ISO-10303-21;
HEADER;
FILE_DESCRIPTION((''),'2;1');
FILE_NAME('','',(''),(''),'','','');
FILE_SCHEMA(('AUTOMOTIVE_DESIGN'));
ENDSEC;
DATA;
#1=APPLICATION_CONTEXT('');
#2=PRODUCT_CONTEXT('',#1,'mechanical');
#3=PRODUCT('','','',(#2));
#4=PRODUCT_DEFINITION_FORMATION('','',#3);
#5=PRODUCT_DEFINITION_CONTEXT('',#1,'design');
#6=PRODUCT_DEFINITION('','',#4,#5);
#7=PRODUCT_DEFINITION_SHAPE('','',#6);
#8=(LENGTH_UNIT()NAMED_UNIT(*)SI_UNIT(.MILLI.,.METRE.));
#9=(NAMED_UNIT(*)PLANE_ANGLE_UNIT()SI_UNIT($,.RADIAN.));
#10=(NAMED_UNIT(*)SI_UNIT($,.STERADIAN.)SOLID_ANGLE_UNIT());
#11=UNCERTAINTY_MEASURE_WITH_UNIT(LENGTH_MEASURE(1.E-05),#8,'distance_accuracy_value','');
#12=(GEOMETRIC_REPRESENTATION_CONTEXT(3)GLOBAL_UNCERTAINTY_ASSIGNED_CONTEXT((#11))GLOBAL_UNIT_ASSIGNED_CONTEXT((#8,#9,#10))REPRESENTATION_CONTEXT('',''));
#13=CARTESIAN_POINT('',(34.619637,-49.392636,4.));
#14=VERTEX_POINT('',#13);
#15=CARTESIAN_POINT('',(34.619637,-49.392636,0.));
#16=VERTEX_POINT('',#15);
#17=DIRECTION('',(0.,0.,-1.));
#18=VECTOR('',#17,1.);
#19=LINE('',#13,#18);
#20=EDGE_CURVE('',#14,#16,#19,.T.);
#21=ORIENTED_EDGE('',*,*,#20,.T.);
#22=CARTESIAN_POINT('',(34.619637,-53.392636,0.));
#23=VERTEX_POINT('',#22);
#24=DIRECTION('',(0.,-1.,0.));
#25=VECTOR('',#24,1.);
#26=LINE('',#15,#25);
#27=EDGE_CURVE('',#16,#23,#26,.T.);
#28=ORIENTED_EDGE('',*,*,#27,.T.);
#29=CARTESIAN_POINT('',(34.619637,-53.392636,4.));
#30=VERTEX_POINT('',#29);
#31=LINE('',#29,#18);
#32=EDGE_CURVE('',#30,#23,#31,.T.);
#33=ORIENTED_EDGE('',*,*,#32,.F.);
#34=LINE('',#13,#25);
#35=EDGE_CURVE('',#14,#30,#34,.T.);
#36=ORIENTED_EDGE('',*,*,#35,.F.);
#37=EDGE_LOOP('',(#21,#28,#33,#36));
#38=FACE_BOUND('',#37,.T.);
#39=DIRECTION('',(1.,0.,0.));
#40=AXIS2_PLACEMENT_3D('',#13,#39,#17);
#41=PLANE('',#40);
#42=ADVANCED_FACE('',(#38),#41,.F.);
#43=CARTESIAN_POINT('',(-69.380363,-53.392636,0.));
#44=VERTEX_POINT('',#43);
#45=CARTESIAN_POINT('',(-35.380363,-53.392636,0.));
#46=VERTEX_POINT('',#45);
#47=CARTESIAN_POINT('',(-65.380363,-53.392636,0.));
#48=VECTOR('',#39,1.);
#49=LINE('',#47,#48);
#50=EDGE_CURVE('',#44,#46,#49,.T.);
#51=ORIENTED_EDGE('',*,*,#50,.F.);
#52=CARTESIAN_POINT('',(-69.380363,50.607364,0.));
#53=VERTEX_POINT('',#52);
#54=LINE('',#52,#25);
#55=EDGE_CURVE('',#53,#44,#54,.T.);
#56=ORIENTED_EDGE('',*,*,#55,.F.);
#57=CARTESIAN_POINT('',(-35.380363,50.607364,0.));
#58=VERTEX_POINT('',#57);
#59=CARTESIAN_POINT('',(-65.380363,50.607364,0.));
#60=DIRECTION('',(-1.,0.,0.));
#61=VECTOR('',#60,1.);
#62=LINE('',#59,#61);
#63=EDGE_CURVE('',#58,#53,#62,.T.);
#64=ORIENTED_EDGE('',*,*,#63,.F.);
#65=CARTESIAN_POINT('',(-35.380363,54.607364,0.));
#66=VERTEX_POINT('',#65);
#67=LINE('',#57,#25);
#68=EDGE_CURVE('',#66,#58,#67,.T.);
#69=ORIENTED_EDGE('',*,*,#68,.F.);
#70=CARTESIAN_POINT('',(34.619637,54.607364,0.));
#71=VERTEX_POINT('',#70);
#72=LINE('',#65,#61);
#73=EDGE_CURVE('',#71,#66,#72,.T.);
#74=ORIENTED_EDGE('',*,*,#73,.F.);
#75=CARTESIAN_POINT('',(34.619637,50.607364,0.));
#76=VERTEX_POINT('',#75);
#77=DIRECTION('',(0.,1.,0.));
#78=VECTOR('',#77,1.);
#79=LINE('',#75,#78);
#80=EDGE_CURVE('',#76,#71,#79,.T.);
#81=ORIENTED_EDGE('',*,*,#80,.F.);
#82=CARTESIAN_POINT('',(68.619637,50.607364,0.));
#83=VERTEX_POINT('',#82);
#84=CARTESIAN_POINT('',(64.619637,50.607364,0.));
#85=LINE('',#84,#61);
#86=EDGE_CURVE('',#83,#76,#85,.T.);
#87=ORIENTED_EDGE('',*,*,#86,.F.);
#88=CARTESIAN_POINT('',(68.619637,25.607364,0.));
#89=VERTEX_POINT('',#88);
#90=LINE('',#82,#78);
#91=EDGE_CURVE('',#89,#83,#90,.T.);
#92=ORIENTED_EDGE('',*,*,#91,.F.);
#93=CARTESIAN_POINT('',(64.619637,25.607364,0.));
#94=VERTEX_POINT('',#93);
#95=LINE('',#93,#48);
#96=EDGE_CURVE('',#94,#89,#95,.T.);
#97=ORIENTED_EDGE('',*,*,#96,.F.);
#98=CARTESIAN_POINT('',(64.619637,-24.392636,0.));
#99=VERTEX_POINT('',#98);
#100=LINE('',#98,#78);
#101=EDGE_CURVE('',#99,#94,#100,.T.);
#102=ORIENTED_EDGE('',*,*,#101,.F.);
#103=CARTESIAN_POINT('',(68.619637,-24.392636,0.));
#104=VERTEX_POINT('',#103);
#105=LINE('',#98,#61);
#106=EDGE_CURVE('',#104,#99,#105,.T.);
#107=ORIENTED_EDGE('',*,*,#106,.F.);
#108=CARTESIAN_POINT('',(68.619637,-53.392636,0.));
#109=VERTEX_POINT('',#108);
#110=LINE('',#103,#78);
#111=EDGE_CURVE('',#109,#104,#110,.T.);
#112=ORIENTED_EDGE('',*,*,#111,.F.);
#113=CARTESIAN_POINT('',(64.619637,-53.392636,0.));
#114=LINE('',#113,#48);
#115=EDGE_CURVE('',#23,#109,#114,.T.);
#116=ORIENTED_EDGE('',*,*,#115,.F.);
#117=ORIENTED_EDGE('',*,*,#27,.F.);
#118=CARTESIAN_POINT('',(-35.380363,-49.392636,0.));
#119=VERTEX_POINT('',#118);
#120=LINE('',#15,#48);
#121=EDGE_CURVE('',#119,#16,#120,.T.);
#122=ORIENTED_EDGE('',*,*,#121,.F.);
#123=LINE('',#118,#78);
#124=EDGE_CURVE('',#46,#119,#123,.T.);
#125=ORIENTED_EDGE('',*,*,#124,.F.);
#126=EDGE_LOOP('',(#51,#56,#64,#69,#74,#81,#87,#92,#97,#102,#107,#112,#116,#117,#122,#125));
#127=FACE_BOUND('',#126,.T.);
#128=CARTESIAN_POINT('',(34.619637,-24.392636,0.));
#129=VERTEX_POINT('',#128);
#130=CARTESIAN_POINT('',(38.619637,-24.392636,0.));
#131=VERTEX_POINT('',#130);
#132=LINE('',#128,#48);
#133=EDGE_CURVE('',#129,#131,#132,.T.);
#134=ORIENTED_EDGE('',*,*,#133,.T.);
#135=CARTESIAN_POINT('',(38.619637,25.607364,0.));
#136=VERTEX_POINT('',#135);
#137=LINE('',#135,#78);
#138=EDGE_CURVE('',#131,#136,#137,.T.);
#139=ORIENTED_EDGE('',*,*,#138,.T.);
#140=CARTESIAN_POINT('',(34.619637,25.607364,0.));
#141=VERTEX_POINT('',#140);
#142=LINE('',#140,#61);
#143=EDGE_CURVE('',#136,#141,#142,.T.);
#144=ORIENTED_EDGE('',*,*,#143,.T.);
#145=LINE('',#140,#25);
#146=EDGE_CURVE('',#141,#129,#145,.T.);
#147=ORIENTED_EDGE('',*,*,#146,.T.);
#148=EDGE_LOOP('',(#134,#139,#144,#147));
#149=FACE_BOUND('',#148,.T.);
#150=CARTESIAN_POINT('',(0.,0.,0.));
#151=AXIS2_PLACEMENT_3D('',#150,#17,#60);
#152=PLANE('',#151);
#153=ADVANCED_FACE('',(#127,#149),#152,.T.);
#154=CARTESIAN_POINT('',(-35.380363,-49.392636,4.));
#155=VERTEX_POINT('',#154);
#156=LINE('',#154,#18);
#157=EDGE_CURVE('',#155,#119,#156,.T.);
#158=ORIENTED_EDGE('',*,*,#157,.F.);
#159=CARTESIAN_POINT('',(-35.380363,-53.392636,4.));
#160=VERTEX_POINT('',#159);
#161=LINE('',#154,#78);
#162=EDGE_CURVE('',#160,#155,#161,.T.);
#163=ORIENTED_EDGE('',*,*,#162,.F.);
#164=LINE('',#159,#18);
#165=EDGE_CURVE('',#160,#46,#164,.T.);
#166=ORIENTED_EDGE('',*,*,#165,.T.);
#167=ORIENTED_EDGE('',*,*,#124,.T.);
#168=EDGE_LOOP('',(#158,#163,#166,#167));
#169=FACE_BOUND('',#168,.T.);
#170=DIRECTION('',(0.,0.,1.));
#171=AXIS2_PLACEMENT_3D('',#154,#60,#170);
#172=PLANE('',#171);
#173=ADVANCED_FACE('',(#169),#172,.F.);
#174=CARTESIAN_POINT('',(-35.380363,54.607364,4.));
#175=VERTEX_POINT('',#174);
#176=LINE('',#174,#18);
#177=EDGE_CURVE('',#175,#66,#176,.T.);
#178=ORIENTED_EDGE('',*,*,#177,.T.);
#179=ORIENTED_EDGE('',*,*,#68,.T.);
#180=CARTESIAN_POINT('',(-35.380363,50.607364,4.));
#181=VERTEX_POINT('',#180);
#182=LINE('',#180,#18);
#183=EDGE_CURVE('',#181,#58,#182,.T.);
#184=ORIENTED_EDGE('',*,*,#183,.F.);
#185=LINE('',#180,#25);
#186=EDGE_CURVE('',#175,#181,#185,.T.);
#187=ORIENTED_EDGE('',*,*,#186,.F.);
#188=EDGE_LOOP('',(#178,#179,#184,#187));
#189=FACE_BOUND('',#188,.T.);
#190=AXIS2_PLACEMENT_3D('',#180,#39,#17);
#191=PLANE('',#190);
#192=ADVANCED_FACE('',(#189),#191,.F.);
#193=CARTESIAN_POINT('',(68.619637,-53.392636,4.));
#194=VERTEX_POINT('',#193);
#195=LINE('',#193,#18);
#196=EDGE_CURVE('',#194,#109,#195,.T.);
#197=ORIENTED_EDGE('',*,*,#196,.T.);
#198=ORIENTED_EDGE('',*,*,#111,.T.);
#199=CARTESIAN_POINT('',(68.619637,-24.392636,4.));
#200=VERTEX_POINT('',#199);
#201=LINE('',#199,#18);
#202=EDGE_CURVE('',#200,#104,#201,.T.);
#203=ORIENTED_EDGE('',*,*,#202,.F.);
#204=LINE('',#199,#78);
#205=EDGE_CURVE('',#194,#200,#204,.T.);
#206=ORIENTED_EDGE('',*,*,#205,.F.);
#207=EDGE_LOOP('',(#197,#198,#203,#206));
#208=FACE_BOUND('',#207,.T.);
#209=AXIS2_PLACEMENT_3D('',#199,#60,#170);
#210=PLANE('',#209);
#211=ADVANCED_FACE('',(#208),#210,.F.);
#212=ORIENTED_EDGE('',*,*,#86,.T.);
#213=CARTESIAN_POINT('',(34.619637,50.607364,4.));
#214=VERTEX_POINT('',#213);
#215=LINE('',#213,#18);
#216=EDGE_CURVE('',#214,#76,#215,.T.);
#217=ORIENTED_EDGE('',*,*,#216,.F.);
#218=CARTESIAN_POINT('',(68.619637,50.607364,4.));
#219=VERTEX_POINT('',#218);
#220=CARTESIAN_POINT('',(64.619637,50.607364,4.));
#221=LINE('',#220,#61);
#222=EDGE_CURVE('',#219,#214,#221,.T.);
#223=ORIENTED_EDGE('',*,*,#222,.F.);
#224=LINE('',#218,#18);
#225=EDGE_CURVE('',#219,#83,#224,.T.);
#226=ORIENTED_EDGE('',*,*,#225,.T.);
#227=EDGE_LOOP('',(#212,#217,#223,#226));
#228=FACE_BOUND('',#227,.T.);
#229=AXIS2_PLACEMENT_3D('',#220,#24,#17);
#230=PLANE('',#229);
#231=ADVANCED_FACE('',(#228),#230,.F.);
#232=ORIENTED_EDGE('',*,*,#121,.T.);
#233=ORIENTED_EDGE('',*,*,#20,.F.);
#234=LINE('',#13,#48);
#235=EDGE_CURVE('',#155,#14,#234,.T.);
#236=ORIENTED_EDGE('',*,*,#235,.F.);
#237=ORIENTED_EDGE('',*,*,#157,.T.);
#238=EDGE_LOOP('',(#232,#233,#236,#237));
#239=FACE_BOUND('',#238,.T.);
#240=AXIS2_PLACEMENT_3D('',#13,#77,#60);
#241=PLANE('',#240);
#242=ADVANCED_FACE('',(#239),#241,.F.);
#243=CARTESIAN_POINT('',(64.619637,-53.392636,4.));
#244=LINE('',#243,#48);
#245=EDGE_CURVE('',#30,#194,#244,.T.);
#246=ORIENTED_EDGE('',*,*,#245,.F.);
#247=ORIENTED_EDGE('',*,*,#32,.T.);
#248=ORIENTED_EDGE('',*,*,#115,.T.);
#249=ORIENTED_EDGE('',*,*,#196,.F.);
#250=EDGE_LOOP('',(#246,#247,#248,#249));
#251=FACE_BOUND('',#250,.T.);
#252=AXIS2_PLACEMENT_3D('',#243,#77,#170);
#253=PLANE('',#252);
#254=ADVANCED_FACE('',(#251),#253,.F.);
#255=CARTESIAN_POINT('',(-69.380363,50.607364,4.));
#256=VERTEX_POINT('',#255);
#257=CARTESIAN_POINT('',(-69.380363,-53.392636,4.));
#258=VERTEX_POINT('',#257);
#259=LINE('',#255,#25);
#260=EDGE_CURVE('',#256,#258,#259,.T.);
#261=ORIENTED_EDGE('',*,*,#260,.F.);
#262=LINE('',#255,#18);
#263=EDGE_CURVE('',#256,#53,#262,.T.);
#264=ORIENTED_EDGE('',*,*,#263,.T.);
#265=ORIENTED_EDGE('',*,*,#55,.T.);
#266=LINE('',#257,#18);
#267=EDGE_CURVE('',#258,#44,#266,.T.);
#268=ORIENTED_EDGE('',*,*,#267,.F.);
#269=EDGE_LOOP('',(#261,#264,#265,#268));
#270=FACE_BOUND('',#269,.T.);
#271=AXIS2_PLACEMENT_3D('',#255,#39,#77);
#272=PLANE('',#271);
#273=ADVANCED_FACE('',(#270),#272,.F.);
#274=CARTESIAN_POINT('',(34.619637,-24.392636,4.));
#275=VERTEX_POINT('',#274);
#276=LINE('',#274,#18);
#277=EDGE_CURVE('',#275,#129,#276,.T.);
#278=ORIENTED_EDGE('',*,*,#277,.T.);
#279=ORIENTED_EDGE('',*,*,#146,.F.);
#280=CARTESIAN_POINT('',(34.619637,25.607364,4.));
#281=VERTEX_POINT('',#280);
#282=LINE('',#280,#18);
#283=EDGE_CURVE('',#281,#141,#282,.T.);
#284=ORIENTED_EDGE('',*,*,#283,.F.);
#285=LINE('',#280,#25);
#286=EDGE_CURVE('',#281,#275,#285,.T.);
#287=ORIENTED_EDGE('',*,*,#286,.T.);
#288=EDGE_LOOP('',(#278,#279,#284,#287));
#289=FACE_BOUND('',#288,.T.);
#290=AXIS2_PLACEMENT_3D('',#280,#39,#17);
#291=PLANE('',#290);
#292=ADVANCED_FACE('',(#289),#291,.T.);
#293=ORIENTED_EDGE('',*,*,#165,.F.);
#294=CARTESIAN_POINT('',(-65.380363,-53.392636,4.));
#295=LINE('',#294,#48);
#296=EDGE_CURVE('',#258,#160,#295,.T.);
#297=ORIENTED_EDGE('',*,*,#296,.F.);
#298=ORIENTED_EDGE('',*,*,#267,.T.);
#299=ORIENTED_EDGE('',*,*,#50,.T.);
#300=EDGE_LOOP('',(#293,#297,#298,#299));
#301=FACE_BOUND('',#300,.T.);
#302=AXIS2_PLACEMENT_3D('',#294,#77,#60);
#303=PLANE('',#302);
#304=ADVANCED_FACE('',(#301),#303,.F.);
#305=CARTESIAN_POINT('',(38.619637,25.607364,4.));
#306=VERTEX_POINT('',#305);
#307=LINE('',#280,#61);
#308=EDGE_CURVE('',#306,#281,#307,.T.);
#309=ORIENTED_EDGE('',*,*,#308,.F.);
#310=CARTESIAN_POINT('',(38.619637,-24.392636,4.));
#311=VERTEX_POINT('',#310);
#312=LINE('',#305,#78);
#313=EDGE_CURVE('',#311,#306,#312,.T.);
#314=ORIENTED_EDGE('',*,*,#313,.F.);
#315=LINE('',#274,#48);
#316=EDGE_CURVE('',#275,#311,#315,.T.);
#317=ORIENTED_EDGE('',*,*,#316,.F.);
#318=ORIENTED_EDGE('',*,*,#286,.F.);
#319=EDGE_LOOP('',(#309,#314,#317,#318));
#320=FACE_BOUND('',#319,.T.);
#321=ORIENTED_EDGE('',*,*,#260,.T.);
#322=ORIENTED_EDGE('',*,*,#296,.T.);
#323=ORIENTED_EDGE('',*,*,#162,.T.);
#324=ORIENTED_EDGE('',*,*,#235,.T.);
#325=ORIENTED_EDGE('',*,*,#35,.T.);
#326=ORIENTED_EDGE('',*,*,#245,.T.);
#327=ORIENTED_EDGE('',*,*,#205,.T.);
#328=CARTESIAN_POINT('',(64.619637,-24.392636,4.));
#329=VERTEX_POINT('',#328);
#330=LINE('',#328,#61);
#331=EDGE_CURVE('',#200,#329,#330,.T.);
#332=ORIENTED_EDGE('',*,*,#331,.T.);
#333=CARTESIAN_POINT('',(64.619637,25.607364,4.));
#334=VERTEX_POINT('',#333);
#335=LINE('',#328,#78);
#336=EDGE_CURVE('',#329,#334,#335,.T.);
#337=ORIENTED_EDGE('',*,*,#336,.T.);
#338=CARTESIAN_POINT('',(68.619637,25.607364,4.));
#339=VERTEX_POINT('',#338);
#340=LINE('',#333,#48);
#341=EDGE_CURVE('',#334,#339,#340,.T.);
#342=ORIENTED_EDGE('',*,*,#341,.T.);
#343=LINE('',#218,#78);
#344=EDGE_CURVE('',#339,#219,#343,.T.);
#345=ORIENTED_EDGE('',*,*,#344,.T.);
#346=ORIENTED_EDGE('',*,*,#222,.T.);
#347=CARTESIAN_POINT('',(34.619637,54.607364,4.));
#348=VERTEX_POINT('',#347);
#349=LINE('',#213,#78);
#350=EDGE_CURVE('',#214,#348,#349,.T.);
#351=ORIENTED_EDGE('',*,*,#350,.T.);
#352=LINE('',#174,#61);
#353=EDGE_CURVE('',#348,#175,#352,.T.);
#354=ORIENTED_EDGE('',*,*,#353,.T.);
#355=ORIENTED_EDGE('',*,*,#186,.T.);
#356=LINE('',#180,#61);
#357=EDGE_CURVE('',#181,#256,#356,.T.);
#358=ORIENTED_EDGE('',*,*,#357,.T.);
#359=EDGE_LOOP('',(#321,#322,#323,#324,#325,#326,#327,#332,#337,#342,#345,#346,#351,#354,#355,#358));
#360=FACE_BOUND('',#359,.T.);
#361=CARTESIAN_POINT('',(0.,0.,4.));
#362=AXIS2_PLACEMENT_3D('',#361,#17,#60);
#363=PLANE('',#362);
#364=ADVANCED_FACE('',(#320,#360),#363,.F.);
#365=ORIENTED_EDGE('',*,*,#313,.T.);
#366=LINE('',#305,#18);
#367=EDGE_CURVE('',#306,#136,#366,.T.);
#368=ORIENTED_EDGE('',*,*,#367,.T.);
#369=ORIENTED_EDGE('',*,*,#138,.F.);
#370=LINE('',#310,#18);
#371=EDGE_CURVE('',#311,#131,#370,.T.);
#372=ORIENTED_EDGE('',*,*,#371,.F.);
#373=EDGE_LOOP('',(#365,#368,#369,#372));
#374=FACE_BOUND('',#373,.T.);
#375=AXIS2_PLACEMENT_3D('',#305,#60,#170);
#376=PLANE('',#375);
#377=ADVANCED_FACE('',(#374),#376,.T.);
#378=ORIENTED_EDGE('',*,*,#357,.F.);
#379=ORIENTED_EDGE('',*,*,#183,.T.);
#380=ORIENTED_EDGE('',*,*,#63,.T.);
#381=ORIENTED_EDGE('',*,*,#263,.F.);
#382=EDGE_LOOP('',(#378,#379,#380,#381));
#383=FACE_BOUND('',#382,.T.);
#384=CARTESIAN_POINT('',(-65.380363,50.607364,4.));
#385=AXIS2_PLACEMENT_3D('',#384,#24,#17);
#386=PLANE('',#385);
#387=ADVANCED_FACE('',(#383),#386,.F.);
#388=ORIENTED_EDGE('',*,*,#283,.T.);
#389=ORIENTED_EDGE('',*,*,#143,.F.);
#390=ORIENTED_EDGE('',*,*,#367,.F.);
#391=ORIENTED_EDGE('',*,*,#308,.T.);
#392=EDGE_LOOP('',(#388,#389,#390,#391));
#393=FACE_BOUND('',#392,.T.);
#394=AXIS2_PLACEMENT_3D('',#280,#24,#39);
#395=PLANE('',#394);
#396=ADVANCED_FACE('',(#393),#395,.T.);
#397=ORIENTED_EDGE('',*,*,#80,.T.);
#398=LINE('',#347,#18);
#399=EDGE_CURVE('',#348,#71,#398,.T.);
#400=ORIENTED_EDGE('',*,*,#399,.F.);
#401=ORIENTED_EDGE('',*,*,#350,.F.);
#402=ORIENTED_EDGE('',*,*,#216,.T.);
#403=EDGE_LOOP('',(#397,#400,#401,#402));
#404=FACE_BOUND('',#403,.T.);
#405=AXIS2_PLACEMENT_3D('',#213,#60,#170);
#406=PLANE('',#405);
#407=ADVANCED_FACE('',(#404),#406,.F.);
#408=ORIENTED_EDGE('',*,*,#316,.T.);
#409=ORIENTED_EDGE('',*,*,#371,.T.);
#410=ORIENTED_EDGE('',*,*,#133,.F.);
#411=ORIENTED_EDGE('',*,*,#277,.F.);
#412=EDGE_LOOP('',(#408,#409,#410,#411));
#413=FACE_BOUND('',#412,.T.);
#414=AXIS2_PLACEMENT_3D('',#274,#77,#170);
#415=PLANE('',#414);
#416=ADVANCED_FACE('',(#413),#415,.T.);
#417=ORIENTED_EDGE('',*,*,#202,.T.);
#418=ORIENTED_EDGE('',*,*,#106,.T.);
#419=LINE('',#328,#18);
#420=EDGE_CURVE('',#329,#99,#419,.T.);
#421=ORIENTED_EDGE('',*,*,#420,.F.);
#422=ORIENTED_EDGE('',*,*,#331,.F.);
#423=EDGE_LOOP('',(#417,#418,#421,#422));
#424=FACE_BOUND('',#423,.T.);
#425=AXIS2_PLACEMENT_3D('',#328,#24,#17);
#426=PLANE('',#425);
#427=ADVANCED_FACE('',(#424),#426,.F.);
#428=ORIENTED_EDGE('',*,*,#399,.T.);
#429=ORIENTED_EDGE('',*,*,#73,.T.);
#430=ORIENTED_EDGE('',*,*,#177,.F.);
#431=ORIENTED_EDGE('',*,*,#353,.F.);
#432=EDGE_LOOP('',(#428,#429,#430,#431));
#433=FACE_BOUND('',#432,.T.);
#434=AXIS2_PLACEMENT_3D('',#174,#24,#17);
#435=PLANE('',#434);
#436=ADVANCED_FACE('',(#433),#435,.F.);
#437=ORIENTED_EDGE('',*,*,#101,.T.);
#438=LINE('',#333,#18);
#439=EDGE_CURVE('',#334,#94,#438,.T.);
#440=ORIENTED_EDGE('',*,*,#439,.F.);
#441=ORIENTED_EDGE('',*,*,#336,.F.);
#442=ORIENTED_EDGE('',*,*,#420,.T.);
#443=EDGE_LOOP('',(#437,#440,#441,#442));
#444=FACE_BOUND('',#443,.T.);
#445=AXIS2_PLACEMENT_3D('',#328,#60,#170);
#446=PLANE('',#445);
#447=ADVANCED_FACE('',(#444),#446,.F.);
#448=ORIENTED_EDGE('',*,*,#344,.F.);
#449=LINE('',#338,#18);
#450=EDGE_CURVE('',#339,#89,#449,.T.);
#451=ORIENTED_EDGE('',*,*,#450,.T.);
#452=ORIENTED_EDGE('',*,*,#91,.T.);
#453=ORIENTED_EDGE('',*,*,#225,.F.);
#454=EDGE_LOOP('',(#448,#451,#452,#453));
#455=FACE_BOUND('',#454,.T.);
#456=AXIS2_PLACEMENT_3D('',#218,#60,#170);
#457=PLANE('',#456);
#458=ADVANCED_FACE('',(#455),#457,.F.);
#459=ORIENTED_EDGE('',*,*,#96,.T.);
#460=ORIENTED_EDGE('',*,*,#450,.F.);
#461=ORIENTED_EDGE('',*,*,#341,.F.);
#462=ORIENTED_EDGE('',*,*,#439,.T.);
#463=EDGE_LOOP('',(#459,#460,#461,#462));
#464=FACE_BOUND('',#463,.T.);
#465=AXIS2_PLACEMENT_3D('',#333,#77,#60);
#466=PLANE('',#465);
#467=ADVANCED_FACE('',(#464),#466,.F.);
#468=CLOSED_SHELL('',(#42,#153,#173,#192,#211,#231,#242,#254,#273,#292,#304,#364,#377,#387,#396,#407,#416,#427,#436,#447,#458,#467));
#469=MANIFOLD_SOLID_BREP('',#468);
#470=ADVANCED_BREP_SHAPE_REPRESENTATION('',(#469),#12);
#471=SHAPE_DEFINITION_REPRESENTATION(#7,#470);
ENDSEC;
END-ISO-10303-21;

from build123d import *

# Parameters (mm, degrees)
SKETCH_1_W      = 4
SKETCH_1_H      = 50
EXTRUDE_1_DEPTH = 4


with BuildPart() as part:
    # Эскиз1 → Бобышка-Вытянуть1 (new body)
    with BuildSketch(Plane.XY):
        Polygon((-35.380363478, 50.607363696), (-65.380363478, 50.607363696), (-69.380363478, 50.607363696), (-69.380363478, -53.392636304), (-65.380363478, -53.392636304), (-35.380363478, -53.392636304), (-35.380363478, -49.392636304), (34.619636522, -49.392636304), (34.619636522, -53.392636304), (64.619636522, -53.392636304), (68.619636522, -53.392636304), (68.619636522, -24.392636304), (64.619636522, -24.392636304), (64.619636522, 25.607363696), (68.619636522, 25.607363696), (68.619636522, 50.607363696), (64.619636522, 50.607363696), (34.619636522, 50.607363696), (34.619636522, 54.607363696), (-35.380363478, 54.607363696), align=None)
        with Locations((36.619636522, 0.607363696)):
            Rectangle(SKETCH_1_W, SKETCH_1_H, mode=Mode.SUBTRACT)
    extrude(amount=EXTRUDE_1_DEPTH)


solid = part.part
